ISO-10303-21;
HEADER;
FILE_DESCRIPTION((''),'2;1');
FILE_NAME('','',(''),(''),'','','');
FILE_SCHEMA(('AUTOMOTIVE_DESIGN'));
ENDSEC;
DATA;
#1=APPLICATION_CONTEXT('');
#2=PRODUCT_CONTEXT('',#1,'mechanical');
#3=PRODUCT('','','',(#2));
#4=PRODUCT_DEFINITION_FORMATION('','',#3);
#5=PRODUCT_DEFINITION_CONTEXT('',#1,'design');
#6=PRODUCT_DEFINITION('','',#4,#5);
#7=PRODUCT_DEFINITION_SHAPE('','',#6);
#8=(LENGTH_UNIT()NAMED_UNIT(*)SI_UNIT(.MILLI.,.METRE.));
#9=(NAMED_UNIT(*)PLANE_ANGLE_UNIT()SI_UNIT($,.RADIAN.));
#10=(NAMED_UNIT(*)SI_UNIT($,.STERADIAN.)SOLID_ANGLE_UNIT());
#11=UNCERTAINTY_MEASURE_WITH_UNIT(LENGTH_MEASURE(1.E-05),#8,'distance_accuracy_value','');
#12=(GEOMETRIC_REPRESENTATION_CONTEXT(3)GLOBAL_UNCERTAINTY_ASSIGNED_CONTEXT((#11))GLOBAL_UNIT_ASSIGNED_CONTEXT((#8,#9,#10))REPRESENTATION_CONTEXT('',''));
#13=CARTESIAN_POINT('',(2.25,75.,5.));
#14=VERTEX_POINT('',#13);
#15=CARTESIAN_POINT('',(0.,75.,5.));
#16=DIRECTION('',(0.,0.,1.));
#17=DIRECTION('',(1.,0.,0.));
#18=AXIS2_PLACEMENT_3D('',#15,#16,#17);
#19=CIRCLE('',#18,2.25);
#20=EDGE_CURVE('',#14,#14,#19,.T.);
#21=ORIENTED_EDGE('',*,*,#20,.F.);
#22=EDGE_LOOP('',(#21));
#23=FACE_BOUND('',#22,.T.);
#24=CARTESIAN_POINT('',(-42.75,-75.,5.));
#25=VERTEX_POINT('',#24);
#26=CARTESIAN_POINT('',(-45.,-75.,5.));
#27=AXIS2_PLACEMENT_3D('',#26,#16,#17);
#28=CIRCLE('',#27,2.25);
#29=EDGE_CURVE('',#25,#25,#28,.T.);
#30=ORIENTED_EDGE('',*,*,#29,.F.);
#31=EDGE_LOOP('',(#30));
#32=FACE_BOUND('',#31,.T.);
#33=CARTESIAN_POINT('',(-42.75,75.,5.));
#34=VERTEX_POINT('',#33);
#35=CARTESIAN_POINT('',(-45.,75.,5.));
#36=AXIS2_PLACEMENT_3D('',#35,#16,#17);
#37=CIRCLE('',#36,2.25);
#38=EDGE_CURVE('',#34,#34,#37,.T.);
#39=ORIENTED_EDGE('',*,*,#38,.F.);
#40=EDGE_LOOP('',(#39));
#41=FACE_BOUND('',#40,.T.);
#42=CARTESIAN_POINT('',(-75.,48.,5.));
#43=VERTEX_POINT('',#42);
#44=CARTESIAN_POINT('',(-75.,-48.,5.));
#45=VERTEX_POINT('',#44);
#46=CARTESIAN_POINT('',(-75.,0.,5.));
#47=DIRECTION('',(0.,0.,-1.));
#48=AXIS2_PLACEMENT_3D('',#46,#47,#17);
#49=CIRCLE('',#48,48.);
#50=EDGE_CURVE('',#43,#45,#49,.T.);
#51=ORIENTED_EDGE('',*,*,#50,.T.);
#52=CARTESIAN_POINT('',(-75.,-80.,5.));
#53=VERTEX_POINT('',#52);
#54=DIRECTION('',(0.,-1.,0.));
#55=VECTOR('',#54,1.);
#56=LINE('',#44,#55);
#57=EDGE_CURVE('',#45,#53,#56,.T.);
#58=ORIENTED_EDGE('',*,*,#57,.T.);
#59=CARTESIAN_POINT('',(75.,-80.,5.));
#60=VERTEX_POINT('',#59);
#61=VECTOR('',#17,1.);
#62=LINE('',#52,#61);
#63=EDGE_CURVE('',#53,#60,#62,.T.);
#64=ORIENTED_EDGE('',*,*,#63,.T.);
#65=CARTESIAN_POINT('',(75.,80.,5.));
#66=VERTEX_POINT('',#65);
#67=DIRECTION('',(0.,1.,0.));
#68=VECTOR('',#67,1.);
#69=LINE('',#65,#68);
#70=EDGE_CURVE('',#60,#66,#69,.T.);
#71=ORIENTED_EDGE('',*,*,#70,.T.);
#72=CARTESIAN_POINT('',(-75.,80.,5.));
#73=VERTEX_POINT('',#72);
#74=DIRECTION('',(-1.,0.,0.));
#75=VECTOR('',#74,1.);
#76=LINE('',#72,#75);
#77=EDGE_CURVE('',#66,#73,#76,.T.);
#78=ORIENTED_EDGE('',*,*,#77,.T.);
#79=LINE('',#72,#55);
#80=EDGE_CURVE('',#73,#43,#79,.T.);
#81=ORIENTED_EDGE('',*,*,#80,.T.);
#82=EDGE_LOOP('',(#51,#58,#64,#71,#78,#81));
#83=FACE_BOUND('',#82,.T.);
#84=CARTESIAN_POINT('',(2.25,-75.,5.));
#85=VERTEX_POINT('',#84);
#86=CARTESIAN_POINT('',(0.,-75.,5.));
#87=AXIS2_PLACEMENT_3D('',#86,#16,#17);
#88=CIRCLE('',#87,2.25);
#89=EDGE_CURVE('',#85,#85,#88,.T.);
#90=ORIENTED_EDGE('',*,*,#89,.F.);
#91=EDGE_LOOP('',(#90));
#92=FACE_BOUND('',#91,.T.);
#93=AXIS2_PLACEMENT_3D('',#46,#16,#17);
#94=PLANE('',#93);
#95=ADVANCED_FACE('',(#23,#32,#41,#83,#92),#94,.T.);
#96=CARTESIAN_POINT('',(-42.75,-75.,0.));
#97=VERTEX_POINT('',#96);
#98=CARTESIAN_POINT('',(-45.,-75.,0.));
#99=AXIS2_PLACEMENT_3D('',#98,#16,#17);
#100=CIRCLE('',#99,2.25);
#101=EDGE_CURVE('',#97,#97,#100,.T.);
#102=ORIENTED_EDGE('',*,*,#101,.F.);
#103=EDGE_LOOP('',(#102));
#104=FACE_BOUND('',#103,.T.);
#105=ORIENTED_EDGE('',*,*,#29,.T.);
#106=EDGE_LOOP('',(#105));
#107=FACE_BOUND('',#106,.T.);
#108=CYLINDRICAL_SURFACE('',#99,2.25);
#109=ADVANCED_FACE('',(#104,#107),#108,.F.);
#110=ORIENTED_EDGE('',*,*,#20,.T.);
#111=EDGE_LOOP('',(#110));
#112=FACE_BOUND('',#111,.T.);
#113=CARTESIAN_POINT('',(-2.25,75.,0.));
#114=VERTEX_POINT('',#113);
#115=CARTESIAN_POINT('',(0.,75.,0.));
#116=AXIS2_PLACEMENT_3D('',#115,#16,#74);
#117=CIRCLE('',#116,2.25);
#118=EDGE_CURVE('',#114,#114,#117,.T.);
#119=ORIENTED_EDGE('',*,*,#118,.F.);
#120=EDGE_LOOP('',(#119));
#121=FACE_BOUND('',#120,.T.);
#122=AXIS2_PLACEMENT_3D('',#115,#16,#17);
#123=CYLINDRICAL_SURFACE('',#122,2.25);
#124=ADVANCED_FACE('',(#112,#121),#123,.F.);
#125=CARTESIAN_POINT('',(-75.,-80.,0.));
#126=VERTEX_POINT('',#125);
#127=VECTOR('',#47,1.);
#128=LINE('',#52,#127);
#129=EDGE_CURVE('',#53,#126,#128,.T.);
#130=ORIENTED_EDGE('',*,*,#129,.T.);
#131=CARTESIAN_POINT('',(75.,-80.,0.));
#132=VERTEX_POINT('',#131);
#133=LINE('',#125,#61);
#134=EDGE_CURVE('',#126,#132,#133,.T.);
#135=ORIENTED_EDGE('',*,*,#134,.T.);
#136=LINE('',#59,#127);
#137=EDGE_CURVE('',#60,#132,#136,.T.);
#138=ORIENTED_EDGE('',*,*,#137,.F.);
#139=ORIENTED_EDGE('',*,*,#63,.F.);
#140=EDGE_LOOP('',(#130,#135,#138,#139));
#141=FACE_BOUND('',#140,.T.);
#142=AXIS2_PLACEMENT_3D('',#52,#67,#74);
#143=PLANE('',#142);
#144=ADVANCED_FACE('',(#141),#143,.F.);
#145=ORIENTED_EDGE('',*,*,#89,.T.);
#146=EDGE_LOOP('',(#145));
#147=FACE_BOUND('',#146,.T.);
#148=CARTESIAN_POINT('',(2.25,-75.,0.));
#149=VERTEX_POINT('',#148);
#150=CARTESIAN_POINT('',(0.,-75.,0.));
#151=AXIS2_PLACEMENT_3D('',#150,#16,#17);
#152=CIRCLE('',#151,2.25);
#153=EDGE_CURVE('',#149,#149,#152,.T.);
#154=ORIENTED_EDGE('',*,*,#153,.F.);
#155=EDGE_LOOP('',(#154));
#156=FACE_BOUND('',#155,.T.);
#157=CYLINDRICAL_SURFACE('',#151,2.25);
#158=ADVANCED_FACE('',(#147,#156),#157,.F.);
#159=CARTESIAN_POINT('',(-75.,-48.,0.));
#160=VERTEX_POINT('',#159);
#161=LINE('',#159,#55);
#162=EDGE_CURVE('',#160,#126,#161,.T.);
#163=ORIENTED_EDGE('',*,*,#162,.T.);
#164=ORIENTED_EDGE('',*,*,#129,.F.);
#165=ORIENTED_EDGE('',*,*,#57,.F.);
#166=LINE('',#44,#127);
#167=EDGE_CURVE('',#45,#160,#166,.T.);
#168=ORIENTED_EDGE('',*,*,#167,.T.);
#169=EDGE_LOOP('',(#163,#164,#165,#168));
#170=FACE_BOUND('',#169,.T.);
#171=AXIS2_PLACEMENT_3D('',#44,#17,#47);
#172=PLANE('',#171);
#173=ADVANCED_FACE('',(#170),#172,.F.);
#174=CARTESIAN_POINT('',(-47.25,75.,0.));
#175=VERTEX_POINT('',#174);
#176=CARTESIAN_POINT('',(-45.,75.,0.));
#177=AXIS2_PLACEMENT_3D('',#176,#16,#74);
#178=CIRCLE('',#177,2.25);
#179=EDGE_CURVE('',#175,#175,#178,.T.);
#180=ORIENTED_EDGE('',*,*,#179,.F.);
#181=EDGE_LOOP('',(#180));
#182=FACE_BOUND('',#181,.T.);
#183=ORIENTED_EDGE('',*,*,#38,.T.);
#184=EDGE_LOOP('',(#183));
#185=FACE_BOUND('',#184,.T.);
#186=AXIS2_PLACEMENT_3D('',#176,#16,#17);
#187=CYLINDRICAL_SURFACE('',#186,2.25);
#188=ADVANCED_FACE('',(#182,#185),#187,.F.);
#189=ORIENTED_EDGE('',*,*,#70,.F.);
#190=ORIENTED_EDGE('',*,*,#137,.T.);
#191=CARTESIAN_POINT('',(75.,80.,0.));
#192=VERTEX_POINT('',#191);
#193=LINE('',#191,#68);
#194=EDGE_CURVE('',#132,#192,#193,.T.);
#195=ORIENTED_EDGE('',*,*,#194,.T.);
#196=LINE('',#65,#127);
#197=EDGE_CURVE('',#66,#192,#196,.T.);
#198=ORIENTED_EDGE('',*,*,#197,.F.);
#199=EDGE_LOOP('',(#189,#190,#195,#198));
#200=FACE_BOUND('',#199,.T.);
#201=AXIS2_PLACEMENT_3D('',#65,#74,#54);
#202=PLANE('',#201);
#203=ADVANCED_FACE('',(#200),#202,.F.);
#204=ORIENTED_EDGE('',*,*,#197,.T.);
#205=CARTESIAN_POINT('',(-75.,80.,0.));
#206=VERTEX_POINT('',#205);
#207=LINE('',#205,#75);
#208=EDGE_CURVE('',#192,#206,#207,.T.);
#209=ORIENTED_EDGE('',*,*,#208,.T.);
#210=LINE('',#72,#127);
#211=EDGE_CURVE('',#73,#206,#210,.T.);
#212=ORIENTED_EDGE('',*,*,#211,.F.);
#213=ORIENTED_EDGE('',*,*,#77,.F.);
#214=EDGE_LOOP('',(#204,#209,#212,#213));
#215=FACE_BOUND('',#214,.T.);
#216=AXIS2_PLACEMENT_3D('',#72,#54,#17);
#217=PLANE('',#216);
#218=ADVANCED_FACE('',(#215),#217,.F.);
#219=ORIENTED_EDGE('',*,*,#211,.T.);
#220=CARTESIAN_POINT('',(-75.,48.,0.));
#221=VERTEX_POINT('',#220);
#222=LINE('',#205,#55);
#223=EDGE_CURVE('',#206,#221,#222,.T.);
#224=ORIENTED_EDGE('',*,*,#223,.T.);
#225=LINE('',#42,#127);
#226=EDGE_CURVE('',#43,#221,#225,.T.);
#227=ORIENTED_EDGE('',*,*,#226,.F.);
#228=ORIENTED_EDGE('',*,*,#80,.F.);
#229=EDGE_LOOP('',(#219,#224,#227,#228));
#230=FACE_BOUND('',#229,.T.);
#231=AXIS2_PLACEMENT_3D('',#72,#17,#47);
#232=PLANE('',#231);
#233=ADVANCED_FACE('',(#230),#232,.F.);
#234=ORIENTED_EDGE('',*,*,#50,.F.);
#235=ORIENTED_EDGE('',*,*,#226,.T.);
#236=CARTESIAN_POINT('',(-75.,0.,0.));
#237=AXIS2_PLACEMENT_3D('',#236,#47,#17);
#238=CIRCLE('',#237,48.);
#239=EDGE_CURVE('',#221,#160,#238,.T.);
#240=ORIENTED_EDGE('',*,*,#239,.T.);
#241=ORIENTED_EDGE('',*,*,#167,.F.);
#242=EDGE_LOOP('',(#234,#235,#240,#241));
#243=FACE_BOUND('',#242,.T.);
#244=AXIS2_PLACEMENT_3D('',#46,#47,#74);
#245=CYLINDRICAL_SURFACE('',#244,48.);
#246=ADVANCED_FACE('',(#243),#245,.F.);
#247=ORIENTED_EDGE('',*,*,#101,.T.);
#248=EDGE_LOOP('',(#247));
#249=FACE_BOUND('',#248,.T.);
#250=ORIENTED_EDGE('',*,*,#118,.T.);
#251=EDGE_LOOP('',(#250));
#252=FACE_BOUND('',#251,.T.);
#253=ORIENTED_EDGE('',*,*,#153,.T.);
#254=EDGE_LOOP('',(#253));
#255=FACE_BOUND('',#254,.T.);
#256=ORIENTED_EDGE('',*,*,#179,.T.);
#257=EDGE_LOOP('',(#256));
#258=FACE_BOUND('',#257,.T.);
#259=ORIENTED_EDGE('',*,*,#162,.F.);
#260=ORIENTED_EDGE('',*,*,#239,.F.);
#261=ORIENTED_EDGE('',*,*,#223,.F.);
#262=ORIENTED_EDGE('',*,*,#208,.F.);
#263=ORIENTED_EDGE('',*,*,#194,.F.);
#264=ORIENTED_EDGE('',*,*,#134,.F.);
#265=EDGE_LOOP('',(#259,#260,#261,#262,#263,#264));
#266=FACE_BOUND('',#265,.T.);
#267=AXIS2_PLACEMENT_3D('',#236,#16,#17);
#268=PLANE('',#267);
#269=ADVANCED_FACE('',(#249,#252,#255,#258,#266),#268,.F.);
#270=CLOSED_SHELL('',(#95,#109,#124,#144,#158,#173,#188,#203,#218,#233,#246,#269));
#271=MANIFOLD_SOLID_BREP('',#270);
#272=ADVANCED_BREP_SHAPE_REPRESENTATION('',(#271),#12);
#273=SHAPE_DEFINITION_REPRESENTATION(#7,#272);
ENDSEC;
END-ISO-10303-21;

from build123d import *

# Parameters (mm, degrees)
BOSS_EXTRUDE1_DEPTH     = 5
CUT_EXTRUDE1_DEPTH      = 110.772492001
CUT_EXTRUDE1_DEPTH_BACK = 110.772492001
SKETCH2_R               = 2.25


with BuildPart() as part:
    # Sketch1 → Boss-Extrude1 (new body)
    with BuildSketch(Plane(origin=(0, 0, 0), x_dir=(0, 1, 0), z_dir=(0, 0, 1))):
        with BuildLine():
            Line((-48, 75), (-80, 75))
            Line((-80, 75), (-80, -75))
            Line((-80, -75), (80, -75))
            Line((80, -75), (80, 75))
            Line((80, 75), (48, 75))
            ThreePointArc((48, 75), (0, 27), (-48, 75))
        make_face()
    extrude(amount=BOSS_EXTRUDE1_DEPTH)

    # Sketch2 → Cut-Extrude1 (cut, two sides: drawn at the far end of the back side and taken through both)
    with BuildSketch(Plane.XY.offset(5).offset(-CUT_EXTRUDE1_DEPTH_BACK)):
        with Locations((0, -75)):
            Circle(SKETCH2_R)
        with Locations((-45, -75)):
            Circle(SKETCH2_R)
        with Locations((0, 75)):
            Circle(SKETCH2_R)
        with Locations((-45, 75)):
            Circle(SKETCH2_R)
    extrude(amount=CUT_EXTRUDE1_DEPTH + CUT_EXTRUDE1_DEPTH_BACK, mode=Mode.SUBTRACT)


solid = part.part
